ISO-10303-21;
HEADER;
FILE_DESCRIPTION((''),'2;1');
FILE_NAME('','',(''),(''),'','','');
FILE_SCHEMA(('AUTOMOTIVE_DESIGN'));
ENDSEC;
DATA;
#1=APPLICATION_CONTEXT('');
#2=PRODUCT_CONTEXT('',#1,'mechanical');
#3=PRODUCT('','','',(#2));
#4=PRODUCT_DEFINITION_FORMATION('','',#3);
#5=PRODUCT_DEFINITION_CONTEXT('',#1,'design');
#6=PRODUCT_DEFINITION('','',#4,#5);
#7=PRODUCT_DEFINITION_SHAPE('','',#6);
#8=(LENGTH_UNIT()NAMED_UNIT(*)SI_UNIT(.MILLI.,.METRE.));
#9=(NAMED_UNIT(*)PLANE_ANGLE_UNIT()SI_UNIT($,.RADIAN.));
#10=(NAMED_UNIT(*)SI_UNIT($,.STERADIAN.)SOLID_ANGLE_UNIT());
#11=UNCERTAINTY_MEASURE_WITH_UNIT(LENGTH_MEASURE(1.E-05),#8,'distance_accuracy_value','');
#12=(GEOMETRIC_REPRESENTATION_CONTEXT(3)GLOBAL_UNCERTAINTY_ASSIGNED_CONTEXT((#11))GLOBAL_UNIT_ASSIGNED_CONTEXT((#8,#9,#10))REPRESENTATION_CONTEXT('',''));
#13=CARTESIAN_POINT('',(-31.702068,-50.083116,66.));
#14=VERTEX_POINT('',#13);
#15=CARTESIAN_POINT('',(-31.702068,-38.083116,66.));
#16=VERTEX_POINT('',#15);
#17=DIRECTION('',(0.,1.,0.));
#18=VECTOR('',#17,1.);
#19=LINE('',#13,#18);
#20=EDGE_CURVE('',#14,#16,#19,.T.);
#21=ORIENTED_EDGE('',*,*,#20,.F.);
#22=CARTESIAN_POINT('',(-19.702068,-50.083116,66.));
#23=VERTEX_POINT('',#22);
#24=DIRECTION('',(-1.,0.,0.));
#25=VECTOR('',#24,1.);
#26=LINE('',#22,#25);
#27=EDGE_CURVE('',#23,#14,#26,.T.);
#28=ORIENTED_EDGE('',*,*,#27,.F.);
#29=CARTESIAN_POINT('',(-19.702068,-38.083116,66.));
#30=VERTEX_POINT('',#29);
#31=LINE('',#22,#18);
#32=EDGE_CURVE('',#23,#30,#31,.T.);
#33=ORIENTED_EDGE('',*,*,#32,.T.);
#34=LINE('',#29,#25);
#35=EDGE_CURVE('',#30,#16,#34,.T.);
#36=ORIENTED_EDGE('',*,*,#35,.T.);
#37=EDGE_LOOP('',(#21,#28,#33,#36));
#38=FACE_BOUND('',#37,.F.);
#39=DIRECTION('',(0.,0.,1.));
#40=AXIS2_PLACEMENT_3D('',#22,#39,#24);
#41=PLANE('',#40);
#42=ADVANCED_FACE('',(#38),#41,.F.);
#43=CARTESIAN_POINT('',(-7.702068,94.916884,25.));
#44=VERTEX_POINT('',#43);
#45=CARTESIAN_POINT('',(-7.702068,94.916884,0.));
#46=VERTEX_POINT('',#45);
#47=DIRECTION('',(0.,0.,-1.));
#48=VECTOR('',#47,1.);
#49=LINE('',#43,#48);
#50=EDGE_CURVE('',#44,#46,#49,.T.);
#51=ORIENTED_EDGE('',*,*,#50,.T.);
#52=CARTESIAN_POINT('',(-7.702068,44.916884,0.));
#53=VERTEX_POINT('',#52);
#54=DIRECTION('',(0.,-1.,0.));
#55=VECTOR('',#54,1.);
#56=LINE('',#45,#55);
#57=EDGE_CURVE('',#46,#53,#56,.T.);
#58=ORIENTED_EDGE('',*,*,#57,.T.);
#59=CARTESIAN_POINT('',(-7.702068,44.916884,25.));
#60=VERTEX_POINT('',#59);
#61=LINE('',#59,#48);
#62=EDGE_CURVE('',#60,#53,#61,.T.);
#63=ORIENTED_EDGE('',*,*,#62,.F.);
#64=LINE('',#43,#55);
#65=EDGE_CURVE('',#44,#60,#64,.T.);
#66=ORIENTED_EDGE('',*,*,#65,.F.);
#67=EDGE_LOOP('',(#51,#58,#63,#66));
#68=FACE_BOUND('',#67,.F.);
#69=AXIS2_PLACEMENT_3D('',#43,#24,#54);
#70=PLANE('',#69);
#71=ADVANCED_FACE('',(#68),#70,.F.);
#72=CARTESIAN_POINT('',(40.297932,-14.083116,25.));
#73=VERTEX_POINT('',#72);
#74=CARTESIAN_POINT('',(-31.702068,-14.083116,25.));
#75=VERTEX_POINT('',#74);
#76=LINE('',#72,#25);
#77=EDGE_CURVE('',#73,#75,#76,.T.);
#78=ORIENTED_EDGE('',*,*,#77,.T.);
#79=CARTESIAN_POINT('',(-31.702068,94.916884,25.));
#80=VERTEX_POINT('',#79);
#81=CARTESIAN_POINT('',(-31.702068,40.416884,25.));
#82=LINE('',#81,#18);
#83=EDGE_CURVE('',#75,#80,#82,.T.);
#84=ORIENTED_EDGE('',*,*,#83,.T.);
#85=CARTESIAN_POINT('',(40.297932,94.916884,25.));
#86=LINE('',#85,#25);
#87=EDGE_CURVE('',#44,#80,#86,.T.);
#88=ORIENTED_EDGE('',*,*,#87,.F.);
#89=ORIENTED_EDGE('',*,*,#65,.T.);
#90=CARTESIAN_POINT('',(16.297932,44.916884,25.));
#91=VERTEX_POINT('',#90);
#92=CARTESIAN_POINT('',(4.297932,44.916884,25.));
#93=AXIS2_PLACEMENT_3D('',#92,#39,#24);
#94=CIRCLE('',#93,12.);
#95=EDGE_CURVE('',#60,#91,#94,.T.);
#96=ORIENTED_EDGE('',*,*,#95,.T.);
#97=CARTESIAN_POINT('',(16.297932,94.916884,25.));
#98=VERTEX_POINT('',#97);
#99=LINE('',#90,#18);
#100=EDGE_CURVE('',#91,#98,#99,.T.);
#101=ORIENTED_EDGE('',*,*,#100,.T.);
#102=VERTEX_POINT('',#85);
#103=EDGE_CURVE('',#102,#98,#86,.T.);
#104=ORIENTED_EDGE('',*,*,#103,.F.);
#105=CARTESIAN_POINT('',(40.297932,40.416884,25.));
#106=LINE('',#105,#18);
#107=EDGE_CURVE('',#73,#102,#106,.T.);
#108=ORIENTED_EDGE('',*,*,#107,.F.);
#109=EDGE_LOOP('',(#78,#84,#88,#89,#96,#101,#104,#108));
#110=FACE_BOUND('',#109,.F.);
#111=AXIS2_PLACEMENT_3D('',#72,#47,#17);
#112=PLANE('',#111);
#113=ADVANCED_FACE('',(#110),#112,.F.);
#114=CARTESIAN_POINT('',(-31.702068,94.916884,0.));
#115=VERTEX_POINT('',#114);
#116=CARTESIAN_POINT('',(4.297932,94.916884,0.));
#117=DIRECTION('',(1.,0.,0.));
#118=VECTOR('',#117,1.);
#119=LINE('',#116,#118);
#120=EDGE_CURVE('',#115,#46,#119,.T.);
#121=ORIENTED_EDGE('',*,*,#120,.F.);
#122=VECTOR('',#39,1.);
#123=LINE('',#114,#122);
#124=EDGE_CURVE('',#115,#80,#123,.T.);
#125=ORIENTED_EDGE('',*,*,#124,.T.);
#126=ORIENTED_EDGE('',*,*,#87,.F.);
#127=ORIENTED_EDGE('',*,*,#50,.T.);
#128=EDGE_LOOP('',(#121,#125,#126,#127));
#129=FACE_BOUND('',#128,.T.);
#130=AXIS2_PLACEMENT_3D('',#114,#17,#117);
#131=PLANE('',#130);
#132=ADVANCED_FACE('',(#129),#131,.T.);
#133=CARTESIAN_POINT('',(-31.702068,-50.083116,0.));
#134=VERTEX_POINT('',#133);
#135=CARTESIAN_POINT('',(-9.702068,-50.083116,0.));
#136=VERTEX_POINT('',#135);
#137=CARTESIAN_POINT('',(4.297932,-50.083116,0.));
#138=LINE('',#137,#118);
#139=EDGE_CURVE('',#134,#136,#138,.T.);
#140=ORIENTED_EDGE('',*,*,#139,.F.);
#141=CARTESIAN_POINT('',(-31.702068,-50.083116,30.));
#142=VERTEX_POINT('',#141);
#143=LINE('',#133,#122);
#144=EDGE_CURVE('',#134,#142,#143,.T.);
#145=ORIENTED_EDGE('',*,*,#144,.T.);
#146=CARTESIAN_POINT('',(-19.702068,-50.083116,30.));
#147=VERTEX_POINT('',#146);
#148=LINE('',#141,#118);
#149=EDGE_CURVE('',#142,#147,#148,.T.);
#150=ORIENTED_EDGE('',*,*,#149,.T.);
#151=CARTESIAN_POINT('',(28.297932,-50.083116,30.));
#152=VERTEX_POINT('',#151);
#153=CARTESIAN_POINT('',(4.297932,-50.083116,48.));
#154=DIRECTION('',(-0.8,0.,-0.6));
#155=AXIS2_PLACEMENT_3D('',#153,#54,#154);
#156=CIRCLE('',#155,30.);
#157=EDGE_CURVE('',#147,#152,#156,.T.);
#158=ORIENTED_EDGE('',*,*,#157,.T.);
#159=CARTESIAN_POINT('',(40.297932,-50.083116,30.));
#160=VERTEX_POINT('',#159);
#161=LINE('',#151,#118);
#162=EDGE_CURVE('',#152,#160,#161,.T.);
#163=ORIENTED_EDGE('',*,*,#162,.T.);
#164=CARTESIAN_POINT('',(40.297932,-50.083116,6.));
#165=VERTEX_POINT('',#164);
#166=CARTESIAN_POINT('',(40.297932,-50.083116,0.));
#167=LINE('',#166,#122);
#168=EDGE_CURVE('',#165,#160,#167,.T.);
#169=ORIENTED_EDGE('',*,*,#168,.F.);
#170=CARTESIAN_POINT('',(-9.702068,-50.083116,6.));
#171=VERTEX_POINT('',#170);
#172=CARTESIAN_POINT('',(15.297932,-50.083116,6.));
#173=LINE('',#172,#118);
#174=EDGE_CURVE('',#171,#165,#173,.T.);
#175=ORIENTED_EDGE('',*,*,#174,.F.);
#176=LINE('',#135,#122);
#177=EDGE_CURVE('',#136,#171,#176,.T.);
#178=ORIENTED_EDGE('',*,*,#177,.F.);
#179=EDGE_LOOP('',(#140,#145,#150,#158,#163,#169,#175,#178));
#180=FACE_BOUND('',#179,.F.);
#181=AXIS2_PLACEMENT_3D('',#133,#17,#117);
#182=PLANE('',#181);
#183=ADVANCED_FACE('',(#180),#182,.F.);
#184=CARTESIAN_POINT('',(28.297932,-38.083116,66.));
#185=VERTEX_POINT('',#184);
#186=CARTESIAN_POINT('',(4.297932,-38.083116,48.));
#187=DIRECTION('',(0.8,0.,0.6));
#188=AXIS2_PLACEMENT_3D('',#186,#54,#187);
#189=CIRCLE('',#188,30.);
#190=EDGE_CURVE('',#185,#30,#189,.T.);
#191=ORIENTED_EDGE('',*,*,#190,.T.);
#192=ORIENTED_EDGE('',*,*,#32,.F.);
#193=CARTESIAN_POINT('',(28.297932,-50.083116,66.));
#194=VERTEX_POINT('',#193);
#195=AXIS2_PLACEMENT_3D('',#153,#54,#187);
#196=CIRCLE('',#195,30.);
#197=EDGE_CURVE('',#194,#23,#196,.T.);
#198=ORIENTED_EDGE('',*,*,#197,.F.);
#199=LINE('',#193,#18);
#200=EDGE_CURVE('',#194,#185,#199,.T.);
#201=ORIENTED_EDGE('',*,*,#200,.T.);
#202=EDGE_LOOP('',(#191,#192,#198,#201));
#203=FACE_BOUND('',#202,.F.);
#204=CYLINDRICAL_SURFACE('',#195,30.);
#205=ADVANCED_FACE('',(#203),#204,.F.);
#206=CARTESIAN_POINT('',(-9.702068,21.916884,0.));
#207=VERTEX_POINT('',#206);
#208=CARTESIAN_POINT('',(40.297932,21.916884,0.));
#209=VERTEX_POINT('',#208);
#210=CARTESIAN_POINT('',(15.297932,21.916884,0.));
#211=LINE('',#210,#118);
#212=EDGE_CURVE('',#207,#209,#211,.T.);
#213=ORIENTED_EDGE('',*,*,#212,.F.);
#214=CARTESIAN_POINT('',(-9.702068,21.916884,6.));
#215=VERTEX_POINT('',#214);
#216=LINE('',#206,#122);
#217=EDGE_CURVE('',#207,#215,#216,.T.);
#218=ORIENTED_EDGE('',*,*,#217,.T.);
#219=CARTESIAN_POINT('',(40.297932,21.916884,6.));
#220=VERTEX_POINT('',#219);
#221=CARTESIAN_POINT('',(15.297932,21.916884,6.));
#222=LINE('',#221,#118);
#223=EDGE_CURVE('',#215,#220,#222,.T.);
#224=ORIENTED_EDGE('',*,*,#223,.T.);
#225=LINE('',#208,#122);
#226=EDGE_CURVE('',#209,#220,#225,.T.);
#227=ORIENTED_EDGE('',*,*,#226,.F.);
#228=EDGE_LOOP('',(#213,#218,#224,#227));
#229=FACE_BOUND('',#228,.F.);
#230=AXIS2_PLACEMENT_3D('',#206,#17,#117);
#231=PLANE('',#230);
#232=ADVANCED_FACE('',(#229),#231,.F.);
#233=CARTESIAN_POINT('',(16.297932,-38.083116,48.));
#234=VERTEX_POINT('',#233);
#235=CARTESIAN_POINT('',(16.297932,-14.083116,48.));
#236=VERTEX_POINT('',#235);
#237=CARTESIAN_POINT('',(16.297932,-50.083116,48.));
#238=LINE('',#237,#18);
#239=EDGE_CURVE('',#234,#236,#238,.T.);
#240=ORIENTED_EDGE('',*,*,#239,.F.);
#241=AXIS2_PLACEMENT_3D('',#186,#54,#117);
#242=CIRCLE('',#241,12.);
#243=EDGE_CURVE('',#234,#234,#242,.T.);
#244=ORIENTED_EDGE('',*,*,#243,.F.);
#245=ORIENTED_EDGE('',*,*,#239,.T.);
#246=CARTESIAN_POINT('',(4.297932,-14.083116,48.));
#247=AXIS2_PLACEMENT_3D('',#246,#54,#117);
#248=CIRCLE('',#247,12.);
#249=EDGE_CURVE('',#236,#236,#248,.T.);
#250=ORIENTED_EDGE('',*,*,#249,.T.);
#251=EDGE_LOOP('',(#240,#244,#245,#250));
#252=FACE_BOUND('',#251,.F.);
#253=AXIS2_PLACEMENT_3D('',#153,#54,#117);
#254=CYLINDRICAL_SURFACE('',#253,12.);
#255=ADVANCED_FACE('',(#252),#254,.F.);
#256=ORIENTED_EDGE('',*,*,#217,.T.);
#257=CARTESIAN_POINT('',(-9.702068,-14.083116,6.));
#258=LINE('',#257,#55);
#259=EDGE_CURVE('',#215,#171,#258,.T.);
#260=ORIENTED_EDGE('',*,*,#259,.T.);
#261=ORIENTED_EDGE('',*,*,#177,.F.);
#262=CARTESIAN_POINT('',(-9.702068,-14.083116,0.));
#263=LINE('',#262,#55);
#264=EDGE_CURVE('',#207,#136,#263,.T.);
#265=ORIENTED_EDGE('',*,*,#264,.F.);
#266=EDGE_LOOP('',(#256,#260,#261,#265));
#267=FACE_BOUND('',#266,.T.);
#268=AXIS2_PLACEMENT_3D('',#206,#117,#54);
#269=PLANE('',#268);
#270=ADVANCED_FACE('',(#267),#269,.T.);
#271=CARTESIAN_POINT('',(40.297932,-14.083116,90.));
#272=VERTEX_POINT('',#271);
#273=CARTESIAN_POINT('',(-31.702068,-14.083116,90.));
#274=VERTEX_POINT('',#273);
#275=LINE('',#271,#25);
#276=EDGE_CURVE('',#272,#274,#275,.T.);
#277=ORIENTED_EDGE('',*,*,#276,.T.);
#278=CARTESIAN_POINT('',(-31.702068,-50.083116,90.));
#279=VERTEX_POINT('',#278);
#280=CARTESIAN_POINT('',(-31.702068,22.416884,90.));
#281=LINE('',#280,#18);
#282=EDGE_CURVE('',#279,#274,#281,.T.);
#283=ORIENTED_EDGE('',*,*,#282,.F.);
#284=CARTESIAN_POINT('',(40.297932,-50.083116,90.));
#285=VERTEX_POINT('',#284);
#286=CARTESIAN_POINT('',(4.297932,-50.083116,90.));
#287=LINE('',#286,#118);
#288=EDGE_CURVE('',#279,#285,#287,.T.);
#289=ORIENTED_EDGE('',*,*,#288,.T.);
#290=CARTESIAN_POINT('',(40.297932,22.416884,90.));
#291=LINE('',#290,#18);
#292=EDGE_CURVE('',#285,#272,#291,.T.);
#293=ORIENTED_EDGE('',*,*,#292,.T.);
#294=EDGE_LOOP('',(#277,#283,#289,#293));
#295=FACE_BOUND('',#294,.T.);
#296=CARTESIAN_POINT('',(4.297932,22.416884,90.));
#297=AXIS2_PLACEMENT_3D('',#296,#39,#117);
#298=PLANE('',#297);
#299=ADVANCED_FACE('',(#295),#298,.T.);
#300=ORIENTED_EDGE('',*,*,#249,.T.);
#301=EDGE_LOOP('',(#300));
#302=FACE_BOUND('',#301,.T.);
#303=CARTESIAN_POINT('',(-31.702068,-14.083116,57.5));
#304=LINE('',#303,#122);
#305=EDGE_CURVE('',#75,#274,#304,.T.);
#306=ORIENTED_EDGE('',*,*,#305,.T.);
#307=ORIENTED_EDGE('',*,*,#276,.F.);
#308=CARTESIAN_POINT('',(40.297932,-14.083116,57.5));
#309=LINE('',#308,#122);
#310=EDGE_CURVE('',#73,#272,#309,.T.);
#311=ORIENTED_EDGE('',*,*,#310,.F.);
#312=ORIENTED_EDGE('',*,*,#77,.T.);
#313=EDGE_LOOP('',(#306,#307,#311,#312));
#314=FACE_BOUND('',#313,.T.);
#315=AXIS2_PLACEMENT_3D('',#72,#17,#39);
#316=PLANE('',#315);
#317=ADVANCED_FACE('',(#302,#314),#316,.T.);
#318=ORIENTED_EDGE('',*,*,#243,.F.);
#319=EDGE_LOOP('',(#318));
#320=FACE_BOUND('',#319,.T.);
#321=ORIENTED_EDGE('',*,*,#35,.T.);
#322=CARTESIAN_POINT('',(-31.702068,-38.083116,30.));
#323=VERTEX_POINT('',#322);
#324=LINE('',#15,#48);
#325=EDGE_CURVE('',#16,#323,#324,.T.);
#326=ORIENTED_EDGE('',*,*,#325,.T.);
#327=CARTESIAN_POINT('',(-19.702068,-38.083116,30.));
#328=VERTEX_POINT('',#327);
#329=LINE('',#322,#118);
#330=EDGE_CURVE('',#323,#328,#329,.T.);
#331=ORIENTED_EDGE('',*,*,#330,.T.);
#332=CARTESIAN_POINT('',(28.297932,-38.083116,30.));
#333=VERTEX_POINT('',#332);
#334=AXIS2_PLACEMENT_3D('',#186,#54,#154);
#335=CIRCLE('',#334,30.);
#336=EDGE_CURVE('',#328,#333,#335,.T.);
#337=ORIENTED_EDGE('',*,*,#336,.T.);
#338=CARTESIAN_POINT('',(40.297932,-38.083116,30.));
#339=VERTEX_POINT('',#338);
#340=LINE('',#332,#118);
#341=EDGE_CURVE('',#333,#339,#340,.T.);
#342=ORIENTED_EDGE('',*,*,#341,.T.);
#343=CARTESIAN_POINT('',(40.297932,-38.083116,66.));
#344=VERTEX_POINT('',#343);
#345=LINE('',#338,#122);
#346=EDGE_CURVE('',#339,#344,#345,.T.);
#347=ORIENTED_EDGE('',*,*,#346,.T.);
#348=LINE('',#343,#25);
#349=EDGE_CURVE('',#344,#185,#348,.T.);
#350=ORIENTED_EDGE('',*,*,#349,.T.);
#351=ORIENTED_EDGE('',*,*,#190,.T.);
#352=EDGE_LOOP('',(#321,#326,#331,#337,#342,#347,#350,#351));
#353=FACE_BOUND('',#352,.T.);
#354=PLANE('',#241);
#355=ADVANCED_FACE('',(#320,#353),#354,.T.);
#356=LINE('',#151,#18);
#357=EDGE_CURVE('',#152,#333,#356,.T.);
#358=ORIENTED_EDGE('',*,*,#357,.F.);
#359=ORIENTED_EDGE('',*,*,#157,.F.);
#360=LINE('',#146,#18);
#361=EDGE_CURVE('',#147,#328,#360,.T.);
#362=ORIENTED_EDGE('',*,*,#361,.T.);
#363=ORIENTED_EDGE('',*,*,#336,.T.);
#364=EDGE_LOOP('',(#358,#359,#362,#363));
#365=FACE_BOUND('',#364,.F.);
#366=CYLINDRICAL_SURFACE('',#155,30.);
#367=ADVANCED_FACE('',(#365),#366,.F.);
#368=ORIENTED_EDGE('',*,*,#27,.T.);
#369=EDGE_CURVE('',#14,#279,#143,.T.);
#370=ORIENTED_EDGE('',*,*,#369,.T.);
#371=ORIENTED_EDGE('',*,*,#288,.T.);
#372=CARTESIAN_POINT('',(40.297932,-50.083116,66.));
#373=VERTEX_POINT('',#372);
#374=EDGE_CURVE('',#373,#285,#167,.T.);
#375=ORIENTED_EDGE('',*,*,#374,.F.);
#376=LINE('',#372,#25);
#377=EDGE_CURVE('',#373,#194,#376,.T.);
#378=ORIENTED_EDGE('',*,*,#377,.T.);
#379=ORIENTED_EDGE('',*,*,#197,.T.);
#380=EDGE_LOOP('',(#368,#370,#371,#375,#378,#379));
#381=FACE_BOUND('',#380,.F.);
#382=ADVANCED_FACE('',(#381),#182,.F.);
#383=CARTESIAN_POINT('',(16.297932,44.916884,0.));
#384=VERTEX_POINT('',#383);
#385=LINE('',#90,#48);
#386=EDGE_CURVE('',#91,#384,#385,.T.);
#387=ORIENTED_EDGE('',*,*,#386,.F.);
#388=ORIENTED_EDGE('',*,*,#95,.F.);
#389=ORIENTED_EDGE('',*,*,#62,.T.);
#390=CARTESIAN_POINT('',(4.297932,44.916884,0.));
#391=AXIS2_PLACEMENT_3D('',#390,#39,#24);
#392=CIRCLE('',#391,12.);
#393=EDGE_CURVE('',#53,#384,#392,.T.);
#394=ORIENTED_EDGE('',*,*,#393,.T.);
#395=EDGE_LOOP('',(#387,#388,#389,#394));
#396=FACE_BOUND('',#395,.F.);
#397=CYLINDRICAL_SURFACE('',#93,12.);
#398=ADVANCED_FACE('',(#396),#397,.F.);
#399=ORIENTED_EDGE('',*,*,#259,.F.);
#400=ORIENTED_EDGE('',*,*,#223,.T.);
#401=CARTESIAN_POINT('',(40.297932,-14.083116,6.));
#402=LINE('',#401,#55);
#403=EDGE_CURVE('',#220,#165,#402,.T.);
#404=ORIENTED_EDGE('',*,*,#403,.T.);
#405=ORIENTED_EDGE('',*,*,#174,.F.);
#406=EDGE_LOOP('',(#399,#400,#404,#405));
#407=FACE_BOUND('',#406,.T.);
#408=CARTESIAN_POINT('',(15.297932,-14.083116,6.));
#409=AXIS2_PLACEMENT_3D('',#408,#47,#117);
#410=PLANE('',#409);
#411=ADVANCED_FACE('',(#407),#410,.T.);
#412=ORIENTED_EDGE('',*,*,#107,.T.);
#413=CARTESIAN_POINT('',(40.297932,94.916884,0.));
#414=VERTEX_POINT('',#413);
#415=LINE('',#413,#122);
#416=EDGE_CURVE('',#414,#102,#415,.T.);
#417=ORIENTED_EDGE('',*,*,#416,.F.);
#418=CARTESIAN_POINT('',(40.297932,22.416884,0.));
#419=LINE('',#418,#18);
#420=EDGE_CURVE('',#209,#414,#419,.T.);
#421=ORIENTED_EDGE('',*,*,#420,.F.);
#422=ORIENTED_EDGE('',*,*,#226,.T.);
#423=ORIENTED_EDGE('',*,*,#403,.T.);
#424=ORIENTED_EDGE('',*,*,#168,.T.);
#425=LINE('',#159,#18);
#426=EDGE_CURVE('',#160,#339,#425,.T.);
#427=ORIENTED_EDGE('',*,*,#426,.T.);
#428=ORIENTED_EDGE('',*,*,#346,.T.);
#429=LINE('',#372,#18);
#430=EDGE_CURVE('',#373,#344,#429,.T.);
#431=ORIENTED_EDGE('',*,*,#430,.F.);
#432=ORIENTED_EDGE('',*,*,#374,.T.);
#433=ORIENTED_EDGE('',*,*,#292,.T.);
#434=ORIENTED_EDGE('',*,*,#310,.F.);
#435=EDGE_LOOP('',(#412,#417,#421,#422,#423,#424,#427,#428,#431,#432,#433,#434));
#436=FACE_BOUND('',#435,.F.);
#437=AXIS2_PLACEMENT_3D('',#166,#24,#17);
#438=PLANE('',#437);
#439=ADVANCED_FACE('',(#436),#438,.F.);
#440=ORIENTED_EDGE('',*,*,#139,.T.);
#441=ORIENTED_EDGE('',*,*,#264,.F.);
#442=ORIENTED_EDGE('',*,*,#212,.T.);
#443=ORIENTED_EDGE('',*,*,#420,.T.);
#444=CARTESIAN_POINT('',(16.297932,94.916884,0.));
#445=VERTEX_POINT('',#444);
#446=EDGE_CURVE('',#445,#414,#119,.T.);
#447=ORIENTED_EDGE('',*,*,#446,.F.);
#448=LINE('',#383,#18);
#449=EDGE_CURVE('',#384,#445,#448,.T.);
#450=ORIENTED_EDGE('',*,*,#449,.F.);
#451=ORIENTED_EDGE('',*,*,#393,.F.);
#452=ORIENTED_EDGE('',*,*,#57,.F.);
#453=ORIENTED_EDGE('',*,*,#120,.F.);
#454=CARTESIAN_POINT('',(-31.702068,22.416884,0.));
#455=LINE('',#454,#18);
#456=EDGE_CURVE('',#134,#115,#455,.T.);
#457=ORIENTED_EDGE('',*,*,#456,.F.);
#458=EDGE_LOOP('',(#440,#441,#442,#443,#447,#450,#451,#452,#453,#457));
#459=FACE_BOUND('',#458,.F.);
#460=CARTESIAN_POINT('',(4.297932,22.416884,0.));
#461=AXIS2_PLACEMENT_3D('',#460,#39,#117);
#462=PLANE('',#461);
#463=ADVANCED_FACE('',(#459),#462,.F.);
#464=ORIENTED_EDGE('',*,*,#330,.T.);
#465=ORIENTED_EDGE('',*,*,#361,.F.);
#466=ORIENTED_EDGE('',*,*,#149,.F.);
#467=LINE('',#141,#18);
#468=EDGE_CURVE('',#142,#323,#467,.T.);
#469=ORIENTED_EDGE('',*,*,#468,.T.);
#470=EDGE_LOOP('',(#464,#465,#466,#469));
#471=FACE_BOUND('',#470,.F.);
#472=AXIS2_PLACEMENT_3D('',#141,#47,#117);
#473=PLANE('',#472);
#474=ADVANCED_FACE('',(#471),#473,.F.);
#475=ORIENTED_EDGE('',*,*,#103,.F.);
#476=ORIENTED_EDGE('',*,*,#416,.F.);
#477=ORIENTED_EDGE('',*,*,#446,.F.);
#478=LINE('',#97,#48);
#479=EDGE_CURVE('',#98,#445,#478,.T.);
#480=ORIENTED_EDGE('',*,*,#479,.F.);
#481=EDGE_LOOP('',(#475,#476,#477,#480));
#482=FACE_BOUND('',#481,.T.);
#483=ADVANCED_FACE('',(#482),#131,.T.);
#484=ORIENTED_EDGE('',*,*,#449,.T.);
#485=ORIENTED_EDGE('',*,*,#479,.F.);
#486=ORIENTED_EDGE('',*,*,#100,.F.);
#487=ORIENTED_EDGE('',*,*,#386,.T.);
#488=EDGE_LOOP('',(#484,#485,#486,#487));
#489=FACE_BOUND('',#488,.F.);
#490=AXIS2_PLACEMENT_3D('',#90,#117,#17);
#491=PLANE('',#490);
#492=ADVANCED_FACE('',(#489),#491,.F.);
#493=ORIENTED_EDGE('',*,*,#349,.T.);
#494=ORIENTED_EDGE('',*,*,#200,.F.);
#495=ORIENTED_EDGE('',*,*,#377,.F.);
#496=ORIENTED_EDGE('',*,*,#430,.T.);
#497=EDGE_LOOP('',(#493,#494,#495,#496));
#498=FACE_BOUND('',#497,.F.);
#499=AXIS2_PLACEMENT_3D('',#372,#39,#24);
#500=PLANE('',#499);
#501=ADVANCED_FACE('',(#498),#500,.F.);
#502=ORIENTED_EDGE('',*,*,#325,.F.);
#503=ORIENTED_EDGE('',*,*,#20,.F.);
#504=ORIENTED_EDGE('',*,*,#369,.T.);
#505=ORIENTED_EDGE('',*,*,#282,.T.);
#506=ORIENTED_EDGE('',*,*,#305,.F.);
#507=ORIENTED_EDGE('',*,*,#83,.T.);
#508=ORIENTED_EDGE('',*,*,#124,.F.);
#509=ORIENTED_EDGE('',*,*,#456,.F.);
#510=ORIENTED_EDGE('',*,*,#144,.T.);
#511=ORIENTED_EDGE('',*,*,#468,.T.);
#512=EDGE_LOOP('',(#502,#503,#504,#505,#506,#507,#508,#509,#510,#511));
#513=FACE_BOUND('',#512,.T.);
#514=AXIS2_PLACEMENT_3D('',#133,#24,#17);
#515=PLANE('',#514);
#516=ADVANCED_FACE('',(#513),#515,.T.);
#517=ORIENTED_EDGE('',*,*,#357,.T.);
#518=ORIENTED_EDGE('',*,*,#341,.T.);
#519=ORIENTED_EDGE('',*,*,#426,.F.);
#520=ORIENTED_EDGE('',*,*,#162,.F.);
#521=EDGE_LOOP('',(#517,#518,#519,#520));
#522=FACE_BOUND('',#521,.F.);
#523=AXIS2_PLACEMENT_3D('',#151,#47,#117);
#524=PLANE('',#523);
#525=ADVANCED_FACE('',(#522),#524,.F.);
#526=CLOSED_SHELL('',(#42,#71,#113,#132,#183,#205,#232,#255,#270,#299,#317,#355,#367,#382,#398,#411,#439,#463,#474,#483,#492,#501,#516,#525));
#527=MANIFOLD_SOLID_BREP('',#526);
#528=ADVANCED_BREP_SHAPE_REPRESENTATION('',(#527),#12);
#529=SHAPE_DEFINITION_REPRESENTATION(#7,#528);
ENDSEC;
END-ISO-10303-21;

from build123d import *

# Parameters (mm, degrees)
F0_W      = 72
F0_H      = 145
F1_DEPTH  = 90
F2_W      = 109
F2_H      = 65
F3_DEPTH  = 72
F4_W      = 50
F4_H      = 72
F5_DEPTH  = 6
F7_DEPTH  = 25
F8_R      = 12
F9_DEPTH  = 12
F10_DEPTH = 36


with BuildPart() as f1:
    # F0 (on Top) → F1 (new body)
    with BuildSketch(Plane.XY):
        with Locations((4.297932, 22.416884)):
            Rectangle(F0_W, F0_H)
    extrude(amount=F1_DEPTH)

    # F2 (on face) → F3 (cut)
    with BuildSketch(Plane.YZ.offset(40.297932)):
        with Locations((40.416884, 57.5)):
            Rectangle(F2_W, F2_H)
    extrude(amount=-F3_DEPTH, mode=Mode.SUBTRACT)

    # F4 (on face) → F5 (cut)
    with BuildSketch(Plane(origin=(0, 0, 0), x_dir=(1, 0, 0), z_dir=(0, 0, -1))):
        with Locations((15.297932, 14.083116)):
            Rectangle(F4_W, F4_H)
    extrude(amount=-F5_DEPTH, mode=Mode.SUBTRACT)

    # F6 (on face) → F7 (cut)
    with BuildSketch(Plane.XY.offset(25)):
        with BuildLine():
            Line((16.297932, 94.916884), (-7.702068, 94.916884))
            Line((-7.702068, 94.916884), (-7.702068, 44.916884))
            ThreePointArc((-7.702068, 44.916884), (4.297932, 32.916884), (16.297932, 44.916884))
            Line((16.297932, 44.916884), (16.297932, 94.916884))
        make_face()
    extrude(amount=-F7_DEPTH, mode=Mode.SUBTRACT)

    # F8 (on face) → F9 (cut)
    with BuildSketch(Plane.XZ.offset(50.083116)):
        with BuildLine():
            Line((-19.702068, 66), (-31.702068, 66))
            Line((-31.702068, 66), (-31.702068, 30))
            Line((-31.702068, 30), (-19.702068, 30))
            ThreePointArc((-19.702068, 30), (4.297932, 18), (28.297932, 30))
            Line((28.297932, 30), (40.297932, 30))
            Line((40.297932, 30), (40.297932, 66))
            Line((40.297932, 66), (28.297932, 66))
            ThreePointArc((28.297932, 66), (4.297932, 78), (-19.702068, 66))
        make_face()
        with Locations((4.297932, 48)):
            Circle(F8_R, mode=Mode.SUBTRACT)
    extrude(amount=-F9_DEPTH, mode=Mode.SUBTRACT)

    # F8 (on face) → F10 (cut)
    with BuildSketch(Plane.XZ.offset(50.083116)):
        with Locations((4.297932, 48)):
            Circle(F8_R)
    extrude(amount=-F10_DEPTH, mode=Mode.SUBTRACT)


solid = f1.part
